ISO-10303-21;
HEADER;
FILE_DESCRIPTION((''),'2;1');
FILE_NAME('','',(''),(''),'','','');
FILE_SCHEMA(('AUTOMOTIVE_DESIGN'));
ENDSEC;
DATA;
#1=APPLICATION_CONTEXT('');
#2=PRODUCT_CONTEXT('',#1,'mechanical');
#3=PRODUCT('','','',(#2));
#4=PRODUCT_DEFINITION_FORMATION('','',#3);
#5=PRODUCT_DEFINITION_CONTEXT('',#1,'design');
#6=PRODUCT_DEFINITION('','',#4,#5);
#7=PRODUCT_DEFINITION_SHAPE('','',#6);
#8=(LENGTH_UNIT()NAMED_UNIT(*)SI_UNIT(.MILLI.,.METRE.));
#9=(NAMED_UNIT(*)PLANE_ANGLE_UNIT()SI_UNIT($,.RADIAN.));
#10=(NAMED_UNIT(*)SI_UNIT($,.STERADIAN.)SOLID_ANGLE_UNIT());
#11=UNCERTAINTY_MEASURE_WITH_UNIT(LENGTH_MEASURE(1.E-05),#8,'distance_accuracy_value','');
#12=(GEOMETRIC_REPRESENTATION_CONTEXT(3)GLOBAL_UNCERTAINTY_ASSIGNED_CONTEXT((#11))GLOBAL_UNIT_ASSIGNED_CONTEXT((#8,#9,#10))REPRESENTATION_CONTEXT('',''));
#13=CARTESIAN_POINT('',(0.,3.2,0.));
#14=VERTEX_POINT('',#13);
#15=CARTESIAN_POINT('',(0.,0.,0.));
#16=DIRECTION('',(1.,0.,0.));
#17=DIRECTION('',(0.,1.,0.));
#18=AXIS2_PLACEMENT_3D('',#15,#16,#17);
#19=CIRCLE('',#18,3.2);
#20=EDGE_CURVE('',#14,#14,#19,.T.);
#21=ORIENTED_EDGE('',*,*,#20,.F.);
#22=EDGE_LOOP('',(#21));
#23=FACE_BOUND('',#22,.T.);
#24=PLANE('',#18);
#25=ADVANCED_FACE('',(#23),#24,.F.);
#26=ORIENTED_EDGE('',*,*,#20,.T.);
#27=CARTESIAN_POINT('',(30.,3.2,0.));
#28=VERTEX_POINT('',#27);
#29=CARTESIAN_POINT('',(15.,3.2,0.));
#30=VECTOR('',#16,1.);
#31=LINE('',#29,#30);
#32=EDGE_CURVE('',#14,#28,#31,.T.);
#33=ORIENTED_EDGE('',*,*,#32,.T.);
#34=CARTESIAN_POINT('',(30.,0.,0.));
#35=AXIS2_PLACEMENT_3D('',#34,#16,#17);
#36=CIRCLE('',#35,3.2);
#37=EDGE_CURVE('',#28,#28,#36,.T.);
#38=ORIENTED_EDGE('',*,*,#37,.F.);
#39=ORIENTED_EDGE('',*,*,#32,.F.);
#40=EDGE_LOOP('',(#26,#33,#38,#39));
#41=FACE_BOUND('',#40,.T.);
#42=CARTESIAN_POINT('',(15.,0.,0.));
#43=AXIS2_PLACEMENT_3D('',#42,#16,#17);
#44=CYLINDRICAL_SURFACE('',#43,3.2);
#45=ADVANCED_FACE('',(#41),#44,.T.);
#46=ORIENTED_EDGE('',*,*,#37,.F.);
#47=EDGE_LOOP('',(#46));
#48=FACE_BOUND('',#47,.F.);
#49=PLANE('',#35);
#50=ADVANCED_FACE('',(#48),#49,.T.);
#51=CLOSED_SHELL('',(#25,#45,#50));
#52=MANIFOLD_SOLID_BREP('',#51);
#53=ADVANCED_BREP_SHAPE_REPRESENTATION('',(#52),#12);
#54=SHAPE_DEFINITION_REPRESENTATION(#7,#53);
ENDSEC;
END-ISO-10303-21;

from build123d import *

# Parameters (mm, degrees)
SKETCH_W = 30
SKETCH_H = 3.2


with BuildPart() as part:
    # Sketch → Revolution (revolve)
    with BuildSketch(Plane.XY):
        with Locations((15, 1.6)):
            Rectangle(SKETCH_W, SKETCH_H)
    revolve(axis=Axis((0, 0, 0), (1, 0, 0)))


solid = part.part
